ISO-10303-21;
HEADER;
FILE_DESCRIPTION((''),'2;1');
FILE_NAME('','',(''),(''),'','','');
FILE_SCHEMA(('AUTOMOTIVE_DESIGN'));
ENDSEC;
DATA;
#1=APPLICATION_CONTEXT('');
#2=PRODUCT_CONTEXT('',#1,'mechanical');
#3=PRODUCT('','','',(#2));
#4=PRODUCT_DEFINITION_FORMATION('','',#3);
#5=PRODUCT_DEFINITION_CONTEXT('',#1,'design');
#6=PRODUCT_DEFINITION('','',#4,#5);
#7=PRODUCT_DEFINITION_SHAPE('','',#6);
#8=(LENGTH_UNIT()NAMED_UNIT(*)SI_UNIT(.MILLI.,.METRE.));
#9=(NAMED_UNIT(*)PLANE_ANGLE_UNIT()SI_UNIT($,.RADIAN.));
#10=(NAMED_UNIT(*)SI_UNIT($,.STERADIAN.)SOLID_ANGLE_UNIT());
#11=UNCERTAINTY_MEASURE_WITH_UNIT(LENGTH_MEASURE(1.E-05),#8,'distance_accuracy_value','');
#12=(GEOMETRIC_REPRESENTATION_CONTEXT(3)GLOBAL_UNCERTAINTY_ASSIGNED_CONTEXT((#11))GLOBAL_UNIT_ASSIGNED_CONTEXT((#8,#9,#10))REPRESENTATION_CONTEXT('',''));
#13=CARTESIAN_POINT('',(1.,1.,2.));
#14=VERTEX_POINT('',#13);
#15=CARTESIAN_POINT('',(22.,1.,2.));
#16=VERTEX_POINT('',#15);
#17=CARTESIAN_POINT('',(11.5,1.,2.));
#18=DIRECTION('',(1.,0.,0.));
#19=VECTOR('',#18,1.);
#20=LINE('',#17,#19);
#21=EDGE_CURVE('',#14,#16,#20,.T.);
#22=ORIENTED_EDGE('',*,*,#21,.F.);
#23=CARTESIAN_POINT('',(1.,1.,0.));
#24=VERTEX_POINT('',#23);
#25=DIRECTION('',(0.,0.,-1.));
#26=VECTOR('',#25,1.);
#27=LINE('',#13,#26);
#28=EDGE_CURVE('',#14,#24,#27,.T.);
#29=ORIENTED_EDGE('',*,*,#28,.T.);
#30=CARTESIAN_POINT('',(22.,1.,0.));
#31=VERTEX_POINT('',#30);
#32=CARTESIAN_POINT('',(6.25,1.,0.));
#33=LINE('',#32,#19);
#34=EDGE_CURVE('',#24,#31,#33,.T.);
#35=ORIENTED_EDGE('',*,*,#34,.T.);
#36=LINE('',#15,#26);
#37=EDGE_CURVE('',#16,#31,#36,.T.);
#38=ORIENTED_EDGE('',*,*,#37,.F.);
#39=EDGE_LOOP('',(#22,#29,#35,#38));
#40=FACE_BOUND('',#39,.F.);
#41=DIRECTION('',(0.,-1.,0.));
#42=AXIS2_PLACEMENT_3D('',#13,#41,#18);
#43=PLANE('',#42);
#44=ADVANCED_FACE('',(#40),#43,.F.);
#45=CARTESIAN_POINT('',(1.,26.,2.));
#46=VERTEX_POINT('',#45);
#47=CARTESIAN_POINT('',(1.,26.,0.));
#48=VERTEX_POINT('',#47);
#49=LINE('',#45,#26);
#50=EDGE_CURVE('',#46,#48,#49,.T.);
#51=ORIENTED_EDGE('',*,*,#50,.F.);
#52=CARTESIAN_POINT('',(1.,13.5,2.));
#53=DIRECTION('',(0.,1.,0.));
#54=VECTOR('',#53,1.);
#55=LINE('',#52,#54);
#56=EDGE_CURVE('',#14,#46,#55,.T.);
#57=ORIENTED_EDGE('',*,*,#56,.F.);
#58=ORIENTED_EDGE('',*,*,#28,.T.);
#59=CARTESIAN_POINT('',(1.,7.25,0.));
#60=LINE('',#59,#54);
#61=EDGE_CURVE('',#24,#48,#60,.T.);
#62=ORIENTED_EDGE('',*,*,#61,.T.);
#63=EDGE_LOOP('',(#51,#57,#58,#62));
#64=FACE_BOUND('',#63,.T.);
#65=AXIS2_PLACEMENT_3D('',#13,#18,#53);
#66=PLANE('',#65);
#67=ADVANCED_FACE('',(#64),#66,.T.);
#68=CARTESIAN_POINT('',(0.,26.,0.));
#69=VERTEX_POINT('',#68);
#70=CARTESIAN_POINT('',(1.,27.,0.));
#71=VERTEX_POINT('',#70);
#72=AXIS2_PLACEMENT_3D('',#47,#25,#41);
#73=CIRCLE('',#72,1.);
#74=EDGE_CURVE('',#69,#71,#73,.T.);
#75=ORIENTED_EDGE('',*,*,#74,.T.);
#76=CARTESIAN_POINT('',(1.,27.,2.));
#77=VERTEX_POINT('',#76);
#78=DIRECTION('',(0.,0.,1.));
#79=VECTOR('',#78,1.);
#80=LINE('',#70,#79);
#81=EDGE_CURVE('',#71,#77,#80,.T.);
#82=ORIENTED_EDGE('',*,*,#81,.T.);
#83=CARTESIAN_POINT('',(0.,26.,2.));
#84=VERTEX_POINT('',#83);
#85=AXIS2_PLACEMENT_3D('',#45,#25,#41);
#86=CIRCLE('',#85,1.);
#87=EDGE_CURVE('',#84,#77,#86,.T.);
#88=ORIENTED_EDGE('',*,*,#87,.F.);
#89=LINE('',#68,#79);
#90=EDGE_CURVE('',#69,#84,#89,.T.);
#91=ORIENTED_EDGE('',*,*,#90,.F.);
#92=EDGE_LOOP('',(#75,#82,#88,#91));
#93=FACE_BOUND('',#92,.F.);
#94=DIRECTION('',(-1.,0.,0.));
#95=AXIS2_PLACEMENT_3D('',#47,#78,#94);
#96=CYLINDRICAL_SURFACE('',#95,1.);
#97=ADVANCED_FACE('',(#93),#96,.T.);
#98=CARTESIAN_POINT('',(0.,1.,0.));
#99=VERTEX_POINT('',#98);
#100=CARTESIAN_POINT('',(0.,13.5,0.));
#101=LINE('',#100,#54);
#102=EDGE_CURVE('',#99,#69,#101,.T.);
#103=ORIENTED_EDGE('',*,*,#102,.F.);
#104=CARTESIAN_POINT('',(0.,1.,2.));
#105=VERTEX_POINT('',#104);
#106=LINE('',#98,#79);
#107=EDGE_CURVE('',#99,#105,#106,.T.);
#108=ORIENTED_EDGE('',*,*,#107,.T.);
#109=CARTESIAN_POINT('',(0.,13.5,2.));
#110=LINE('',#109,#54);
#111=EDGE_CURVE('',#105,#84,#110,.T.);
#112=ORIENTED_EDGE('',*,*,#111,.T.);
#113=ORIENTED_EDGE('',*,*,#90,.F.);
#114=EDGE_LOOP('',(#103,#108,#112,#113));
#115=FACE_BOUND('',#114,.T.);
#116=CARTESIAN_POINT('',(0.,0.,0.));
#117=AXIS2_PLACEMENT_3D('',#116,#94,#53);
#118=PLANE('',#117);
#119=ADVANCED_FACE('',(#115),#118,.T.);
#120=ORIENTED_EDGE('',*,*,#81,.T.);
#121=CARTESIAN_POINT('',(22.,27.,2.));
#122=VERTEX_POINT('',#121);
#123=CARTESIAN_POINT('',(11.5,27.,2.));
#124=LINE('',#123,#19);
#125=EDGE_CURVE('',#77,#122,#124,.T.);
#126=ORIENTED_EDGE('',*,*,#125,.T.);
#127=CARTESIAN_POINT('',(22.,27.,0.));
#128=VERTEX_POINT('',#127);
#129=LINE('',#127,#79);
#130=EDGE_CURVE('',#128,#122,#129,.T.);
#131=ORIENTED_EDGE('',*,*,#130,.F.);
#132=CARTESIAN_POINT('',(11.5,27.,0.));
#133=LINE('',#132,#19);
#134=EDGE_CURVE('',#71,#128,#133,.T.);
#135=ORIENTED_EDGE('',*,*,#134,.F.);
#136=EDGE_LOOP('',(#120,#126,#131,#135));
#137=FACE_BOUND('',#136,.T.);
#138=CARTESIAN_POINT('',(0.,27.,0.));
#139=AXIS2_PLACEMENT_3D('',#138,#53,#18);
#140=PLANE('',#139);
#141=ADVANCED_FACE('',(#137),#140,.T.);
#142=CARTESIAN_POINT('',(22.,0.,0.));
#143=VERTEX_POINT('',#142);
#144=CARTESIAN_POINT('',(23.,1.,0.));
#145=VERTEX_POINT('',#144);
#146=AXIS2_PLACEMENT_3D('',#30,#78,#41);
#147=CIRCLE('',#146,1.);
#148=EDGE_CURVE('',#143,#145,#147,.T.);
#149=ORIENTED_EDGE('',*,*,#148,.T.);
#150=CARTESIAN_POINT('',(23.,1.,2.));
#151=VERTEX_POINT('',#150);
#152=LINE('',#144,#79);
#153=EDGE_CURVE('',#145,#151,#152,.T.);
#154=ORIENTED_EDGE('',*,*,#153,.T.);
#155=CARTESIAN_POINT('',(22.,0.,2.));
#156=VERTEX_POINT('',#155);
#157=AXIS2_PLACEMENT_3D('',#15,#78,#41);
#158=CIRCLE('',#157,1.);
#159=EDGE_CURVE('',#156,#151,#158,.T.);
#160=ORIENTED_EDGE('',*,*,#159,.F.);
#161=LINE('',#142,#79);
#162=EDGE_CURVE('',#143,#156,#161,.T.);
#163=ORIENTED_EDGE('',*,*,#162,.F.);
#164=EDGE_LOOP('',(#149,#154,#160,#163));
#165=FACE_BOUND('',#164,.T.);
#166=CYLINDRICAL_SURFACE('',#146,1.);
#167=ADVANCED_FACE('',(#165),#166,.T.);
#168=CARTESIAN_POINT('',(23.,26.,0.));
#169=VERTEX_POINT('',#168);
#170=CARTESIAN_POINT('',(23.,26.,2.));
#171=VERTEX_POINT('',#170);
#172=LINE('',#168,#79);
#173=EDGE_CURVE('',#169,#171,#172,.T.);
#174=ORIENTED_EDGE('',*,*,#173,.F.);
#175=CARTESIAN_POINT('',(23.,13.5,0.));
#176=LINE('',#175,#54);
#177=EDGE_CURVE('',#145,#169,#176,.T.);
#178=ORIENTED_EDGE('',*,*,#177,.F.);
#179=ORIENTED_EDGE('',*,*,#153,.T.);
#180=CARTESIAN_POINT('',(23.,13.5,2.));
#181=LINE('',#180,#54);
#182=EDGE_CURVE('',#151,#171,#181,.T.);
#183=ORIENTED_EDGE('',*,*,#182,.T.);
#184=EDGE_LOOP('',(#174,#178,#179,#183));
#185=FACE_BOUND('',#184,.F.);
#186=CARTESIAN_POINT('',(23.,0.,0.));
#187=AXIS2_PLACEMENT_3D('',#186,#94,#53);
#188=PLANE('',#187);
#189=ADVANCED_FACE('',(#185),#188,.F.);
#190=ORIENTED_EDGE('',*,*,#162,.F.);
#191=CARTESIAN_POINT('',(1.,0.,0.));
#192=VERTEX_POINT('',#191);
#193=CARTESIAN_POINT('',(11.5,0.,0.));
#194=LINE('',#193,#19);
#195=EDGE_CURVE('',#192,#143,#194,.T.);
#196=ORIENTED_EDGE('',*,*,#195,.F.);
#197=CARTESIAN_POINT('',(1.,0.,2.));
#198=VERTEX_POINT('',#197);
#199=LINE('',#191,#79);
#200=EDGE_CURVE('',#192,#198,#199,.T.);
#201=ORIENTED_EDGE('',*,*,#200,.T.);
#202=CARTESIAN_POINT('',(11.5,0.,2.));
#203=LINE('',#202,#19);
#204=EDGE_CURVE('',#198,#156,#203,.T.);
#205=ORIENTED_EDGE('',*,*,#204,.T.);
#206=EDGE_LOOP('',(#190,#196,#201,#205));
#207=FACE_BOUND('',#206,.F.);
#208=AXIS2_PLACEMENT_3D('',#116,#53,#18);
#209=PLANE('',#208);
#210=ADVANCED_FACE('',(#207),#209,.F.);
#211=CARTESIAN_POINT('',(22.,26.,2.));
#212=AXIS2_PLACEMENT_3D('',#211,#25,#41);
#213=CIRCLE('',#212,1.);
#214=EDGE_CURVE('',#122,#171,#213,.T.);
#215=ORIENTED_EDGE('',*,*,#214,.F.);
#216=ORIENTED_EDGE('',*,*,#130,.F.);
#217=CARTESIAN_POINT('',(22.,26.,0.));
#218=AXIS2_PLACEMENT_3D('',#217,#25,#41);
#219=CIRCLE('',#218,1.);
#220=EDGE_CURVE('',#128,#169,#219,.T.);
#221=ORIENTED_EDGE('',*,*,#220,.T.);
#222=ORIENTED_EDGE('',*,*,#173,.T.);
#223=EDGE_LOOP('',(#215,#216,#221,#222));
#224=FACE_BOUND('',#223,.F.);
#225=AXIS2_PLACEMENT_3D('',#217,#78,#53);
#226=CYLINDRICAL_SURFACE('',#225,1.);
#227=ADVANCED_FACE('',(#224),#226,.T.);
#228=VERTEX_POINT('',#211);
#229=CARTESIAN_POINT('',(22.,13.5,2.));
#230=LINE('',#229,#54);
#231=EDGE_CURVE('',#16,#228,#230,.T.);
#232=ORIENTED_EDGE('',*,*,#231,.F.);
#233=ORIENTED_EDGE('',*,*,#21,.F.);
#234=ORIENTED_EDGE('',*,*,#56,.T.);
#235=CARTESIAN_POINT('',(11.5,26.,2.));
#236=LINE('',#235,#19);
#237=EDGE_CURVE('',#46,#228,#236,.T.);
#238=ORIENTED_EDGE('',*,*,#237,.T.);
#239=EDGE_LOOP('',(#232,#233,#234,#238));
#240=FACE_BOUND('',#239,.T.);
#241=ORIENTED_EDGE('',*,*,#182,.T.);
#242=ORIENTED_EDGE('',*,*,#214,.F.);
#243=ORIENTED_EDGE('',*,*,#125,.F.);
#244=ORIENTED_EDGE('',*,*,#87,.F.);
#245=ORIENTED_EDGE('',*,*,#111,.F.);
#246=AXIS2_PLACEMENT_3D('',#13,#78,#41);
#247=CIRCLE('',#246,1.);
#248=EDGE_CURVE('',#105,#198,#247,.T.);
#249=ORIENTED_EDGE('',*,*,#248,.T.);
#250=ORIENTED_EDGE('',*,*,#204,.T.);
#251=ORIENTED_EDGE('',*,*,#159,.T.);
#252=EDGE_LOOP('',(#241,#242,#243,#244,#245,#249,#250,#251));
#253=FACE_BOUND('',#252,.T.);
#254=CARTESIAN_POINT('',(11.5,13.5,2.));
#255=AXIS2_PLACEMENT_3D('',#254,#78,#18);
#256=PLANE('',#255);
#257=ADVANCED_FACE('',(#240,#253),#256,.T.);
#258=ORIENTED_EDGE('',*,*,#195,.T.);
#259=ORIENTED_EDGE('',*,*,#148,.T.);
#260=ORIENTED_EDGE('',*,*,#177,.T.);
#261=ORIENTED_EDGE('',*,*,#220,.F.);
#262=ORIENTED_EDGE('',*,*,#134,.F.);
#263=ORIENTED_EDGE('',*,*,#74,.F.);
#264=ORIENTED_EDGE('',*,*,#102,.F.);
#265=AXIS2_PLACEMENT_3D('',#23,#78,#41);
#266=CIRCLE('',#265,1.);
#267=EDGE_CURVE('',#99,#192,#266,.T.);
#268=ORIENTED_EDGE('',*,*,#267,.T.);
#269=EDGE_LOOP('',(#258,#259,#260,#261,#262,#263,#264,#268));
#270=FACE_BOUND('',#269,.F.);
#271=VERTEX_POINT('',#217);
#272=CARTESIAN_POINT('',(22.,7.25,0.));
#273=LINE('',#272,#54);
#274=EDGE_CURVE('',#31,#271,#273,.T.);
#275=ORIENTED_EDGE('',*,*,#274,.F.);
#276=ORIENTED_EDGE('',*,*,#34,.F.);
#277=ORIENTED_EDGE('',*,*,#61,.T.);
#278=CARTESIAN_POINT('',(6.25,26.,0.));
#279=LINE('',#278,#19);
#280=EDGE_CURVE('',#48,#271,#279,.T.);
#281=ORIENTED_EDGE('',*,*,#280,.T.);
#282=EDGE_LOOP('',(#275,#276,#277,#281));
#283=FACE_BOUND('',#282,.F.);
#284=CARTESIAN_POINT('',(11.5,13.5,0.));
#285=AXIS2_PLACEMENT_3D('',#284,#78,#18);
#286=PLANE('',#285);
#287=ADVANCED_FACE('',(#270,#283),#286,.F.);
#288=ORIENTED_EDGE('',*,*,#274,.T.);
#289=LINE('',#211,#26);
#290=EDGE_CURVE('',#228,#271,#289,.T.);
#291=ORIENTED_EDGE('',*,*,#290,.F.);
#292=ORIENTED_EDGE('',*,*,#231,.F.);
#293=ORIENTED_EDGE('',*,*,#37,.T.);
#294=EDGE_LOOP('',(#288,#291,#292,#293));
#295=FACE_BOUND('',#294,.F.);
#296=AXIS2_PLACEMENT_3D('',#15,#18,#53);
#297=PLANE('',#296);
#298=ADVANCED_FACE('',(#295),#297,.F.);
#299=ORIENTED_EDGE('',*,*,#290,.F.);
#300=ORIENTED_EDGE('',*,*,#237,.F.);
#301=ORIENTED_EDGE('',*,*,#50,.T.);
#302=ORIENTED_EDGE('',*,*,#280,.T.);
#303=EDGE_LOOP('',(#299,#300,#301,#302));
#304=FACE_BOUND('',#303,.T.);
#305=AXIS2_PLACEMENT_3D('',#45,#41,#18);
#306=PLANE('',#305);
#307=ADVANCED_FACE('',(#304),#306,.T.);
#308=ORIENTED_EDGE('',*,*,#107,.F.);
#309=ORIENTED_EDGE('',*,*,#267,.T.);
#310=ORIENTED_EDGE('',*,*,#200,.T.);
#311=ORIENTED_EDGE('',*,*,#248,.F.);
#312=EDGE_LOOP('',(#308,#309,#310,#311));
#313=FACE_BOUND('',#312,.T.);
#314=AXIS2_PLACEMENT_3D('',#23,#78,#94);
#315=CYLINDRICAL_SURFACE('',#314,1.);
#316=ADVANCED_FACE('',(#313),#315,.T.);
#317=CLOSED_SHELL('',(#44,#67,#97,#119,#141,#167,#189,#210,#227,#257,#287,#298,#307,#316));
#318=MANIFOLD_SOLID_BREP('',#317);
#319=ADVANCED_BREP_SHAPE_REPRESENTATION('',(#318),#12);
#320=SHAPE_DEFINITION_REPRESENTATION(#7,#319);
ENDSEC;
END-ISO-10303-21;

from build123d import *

# Parameters (mm, degrees)
F0_W     = 23
F0_H     = 27
F1_DEPTH = 2
F2_W     = 21
F2_H     = 25
F3_DEPTH = 2.001
F4_R     = 1


with BuildPart() as f1:
    # F0 (on Top) → F1 (new body)
    with BuildSketch(Plane.XY):
        with Locations((11.5, 13.5)):
            Rectangle(F0_W, F0_H)
    extrude(amount=F1_DEPTH)

    # F2 (on face) → F3 (cut, through all)
    with BuildSketch(Plane.XY.offset(2)):
        with Locations((11.5, 13.5)):
            Rectangle(F2_W, F2_H)
    extrude(amount=-F3_DEPTH, mode=Mode.SUBTRACT)

    # F4
    f4_edges = [f1.edges().sort_by_distance(p)[0] for p in [
        (23, 0, 1),
        (23, 27, 1),
        (0, 0, 1),
        (0, 27, 1),
    ]]
    fillet(f4_edges, radius=F4_R)


solid = f1.part
